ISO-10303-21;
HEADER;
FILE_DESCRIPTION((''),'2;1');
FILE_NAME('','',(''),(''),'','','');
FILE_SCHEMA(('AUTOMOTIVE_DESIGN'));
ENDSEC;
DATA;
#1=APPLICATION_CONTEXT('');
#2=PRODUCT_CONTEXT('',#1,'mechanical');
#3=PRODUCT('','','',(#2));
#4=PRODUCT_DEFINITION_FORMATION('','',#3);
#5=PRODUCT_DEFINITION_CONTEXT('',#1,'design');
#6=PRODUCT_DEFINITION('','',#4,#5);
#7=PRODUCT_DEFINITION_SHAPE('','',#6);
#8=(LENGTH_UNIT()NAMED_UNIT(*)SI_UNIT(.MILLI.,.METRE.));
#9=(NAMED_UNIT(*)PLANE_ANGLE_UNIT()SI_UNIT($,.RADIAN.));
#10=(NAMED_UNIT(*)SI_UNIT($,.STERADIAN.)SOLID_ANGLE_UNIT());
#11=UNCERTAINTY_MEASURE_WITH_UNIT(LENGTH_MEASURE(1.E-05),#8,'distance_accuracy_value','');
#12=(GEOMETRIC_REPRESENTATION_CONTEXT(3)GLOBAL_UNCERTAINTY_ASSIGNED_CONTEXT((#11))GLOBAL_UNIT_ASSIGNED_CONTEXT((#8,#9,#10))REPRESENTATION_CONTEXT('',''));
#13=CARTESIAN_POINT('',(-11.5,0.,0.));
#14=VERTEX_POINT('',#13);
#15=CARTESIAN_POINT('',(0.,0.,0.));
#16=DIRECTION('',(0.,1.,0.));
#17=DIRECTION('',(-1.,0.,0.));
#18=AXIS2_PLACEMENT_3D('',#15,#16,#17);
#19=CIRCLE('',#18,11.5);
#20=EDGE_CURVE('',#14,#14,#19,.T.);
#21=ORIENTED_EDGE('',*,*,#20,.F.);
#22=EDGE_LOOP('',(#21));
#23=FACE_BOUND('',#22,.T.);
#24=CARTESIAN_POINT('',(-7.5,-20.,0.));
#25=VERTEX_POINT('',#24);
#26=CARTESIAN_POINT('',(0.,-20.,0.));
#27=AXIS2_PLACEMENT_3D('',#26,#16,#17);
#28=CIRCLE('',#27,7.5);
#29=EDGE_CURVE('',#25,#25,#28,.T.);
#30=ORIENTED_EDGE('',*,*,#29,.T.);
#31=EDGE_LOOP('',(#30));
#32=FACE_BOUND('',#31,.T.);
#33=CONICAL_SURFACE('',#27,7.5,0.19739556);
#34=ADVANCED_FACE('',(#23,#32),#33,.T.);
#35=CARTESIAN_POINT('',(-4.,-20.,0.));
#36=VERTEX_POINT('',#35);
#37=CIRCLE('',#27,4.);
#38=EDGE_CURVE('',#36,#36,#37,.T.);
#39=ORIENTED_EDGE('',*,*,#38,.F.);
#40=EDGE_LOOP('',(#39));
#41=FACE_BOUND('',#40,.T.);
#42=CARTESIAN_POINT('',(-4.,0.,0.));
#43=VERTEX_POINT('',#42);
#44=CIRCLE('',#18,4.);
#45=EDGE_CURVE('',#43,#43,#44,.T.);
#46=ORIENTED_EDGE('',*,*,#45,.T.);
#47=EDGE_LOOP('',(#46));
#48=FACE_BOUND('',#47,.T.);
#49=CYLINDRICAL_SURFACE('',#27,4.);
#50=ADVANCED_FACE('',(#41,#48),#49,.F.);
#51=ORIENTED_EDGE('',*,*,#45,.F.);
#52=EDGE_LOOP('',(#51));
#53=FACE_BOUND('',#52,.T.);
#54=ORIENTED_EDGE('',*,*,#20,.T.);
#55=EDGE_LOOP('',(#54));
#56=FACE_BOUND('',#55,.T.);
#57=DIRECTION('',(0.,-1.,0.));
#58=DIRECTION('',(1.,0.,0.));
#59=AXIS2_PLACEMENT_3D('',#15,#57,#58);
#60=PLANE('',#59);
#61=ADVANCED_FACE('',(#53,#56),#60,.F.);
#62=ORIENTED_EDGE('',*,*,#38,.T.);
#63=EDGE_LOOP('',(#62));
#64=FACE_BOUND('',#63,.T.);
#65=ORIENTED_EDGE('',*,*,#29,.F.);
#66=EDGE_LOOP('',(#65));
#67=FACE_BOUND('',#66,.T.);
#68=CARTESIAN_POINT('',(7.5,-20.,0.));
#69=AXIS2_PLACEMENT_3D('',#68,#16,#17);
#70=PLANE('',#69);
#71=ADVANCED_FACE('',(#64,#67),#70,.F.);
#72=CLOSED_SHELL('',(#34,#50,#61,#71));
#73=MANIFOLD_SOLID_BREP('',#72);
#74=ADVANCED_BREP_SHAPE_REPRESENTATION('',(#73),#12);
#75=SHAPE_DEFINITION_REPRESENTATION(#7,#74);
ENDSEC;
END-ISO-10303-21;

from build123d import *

# Parameters (mm, degrees)
ESQUISSE3_R             = 4
ENL_V_MAT_EXTRU_1_DEPTH = 26.777897509


with BuildPart() as part:
    # Esquisse1 → Révolution1 (revolve)
    with BuildSketch(Plane.XY, mode=Mode.PRIVATE) as r_volution1_sk:
        Polygon((0, 0), (11.5, 0), (7.5, -20), (0, -20), align=None)
    revolve(r_volution1_sk.sketch.rotate(Axis((0, 33.610182079, 0), (0, -1, 0)), 180), axis=Axis((0, 33.610182079, 0), (0, -1, 0)))

    # Esquisse3 → Enlèv. mat.-Extru.1 (cut, through all)
    with BuildSketch(Plane(origin=(0, 0, 0), x_dir=(1, 0, 0), z_dir=(0, 1, 0))):
        with Locations(Location((0, 0, 0), (0, 0, 180))):
            Circle(ESQUISSE3_R)
    extrude(amount=-ENL_V_MAT_EXTRU_1_DEPTH, mode=Mode.SUBTRACT)


solid = part.part
